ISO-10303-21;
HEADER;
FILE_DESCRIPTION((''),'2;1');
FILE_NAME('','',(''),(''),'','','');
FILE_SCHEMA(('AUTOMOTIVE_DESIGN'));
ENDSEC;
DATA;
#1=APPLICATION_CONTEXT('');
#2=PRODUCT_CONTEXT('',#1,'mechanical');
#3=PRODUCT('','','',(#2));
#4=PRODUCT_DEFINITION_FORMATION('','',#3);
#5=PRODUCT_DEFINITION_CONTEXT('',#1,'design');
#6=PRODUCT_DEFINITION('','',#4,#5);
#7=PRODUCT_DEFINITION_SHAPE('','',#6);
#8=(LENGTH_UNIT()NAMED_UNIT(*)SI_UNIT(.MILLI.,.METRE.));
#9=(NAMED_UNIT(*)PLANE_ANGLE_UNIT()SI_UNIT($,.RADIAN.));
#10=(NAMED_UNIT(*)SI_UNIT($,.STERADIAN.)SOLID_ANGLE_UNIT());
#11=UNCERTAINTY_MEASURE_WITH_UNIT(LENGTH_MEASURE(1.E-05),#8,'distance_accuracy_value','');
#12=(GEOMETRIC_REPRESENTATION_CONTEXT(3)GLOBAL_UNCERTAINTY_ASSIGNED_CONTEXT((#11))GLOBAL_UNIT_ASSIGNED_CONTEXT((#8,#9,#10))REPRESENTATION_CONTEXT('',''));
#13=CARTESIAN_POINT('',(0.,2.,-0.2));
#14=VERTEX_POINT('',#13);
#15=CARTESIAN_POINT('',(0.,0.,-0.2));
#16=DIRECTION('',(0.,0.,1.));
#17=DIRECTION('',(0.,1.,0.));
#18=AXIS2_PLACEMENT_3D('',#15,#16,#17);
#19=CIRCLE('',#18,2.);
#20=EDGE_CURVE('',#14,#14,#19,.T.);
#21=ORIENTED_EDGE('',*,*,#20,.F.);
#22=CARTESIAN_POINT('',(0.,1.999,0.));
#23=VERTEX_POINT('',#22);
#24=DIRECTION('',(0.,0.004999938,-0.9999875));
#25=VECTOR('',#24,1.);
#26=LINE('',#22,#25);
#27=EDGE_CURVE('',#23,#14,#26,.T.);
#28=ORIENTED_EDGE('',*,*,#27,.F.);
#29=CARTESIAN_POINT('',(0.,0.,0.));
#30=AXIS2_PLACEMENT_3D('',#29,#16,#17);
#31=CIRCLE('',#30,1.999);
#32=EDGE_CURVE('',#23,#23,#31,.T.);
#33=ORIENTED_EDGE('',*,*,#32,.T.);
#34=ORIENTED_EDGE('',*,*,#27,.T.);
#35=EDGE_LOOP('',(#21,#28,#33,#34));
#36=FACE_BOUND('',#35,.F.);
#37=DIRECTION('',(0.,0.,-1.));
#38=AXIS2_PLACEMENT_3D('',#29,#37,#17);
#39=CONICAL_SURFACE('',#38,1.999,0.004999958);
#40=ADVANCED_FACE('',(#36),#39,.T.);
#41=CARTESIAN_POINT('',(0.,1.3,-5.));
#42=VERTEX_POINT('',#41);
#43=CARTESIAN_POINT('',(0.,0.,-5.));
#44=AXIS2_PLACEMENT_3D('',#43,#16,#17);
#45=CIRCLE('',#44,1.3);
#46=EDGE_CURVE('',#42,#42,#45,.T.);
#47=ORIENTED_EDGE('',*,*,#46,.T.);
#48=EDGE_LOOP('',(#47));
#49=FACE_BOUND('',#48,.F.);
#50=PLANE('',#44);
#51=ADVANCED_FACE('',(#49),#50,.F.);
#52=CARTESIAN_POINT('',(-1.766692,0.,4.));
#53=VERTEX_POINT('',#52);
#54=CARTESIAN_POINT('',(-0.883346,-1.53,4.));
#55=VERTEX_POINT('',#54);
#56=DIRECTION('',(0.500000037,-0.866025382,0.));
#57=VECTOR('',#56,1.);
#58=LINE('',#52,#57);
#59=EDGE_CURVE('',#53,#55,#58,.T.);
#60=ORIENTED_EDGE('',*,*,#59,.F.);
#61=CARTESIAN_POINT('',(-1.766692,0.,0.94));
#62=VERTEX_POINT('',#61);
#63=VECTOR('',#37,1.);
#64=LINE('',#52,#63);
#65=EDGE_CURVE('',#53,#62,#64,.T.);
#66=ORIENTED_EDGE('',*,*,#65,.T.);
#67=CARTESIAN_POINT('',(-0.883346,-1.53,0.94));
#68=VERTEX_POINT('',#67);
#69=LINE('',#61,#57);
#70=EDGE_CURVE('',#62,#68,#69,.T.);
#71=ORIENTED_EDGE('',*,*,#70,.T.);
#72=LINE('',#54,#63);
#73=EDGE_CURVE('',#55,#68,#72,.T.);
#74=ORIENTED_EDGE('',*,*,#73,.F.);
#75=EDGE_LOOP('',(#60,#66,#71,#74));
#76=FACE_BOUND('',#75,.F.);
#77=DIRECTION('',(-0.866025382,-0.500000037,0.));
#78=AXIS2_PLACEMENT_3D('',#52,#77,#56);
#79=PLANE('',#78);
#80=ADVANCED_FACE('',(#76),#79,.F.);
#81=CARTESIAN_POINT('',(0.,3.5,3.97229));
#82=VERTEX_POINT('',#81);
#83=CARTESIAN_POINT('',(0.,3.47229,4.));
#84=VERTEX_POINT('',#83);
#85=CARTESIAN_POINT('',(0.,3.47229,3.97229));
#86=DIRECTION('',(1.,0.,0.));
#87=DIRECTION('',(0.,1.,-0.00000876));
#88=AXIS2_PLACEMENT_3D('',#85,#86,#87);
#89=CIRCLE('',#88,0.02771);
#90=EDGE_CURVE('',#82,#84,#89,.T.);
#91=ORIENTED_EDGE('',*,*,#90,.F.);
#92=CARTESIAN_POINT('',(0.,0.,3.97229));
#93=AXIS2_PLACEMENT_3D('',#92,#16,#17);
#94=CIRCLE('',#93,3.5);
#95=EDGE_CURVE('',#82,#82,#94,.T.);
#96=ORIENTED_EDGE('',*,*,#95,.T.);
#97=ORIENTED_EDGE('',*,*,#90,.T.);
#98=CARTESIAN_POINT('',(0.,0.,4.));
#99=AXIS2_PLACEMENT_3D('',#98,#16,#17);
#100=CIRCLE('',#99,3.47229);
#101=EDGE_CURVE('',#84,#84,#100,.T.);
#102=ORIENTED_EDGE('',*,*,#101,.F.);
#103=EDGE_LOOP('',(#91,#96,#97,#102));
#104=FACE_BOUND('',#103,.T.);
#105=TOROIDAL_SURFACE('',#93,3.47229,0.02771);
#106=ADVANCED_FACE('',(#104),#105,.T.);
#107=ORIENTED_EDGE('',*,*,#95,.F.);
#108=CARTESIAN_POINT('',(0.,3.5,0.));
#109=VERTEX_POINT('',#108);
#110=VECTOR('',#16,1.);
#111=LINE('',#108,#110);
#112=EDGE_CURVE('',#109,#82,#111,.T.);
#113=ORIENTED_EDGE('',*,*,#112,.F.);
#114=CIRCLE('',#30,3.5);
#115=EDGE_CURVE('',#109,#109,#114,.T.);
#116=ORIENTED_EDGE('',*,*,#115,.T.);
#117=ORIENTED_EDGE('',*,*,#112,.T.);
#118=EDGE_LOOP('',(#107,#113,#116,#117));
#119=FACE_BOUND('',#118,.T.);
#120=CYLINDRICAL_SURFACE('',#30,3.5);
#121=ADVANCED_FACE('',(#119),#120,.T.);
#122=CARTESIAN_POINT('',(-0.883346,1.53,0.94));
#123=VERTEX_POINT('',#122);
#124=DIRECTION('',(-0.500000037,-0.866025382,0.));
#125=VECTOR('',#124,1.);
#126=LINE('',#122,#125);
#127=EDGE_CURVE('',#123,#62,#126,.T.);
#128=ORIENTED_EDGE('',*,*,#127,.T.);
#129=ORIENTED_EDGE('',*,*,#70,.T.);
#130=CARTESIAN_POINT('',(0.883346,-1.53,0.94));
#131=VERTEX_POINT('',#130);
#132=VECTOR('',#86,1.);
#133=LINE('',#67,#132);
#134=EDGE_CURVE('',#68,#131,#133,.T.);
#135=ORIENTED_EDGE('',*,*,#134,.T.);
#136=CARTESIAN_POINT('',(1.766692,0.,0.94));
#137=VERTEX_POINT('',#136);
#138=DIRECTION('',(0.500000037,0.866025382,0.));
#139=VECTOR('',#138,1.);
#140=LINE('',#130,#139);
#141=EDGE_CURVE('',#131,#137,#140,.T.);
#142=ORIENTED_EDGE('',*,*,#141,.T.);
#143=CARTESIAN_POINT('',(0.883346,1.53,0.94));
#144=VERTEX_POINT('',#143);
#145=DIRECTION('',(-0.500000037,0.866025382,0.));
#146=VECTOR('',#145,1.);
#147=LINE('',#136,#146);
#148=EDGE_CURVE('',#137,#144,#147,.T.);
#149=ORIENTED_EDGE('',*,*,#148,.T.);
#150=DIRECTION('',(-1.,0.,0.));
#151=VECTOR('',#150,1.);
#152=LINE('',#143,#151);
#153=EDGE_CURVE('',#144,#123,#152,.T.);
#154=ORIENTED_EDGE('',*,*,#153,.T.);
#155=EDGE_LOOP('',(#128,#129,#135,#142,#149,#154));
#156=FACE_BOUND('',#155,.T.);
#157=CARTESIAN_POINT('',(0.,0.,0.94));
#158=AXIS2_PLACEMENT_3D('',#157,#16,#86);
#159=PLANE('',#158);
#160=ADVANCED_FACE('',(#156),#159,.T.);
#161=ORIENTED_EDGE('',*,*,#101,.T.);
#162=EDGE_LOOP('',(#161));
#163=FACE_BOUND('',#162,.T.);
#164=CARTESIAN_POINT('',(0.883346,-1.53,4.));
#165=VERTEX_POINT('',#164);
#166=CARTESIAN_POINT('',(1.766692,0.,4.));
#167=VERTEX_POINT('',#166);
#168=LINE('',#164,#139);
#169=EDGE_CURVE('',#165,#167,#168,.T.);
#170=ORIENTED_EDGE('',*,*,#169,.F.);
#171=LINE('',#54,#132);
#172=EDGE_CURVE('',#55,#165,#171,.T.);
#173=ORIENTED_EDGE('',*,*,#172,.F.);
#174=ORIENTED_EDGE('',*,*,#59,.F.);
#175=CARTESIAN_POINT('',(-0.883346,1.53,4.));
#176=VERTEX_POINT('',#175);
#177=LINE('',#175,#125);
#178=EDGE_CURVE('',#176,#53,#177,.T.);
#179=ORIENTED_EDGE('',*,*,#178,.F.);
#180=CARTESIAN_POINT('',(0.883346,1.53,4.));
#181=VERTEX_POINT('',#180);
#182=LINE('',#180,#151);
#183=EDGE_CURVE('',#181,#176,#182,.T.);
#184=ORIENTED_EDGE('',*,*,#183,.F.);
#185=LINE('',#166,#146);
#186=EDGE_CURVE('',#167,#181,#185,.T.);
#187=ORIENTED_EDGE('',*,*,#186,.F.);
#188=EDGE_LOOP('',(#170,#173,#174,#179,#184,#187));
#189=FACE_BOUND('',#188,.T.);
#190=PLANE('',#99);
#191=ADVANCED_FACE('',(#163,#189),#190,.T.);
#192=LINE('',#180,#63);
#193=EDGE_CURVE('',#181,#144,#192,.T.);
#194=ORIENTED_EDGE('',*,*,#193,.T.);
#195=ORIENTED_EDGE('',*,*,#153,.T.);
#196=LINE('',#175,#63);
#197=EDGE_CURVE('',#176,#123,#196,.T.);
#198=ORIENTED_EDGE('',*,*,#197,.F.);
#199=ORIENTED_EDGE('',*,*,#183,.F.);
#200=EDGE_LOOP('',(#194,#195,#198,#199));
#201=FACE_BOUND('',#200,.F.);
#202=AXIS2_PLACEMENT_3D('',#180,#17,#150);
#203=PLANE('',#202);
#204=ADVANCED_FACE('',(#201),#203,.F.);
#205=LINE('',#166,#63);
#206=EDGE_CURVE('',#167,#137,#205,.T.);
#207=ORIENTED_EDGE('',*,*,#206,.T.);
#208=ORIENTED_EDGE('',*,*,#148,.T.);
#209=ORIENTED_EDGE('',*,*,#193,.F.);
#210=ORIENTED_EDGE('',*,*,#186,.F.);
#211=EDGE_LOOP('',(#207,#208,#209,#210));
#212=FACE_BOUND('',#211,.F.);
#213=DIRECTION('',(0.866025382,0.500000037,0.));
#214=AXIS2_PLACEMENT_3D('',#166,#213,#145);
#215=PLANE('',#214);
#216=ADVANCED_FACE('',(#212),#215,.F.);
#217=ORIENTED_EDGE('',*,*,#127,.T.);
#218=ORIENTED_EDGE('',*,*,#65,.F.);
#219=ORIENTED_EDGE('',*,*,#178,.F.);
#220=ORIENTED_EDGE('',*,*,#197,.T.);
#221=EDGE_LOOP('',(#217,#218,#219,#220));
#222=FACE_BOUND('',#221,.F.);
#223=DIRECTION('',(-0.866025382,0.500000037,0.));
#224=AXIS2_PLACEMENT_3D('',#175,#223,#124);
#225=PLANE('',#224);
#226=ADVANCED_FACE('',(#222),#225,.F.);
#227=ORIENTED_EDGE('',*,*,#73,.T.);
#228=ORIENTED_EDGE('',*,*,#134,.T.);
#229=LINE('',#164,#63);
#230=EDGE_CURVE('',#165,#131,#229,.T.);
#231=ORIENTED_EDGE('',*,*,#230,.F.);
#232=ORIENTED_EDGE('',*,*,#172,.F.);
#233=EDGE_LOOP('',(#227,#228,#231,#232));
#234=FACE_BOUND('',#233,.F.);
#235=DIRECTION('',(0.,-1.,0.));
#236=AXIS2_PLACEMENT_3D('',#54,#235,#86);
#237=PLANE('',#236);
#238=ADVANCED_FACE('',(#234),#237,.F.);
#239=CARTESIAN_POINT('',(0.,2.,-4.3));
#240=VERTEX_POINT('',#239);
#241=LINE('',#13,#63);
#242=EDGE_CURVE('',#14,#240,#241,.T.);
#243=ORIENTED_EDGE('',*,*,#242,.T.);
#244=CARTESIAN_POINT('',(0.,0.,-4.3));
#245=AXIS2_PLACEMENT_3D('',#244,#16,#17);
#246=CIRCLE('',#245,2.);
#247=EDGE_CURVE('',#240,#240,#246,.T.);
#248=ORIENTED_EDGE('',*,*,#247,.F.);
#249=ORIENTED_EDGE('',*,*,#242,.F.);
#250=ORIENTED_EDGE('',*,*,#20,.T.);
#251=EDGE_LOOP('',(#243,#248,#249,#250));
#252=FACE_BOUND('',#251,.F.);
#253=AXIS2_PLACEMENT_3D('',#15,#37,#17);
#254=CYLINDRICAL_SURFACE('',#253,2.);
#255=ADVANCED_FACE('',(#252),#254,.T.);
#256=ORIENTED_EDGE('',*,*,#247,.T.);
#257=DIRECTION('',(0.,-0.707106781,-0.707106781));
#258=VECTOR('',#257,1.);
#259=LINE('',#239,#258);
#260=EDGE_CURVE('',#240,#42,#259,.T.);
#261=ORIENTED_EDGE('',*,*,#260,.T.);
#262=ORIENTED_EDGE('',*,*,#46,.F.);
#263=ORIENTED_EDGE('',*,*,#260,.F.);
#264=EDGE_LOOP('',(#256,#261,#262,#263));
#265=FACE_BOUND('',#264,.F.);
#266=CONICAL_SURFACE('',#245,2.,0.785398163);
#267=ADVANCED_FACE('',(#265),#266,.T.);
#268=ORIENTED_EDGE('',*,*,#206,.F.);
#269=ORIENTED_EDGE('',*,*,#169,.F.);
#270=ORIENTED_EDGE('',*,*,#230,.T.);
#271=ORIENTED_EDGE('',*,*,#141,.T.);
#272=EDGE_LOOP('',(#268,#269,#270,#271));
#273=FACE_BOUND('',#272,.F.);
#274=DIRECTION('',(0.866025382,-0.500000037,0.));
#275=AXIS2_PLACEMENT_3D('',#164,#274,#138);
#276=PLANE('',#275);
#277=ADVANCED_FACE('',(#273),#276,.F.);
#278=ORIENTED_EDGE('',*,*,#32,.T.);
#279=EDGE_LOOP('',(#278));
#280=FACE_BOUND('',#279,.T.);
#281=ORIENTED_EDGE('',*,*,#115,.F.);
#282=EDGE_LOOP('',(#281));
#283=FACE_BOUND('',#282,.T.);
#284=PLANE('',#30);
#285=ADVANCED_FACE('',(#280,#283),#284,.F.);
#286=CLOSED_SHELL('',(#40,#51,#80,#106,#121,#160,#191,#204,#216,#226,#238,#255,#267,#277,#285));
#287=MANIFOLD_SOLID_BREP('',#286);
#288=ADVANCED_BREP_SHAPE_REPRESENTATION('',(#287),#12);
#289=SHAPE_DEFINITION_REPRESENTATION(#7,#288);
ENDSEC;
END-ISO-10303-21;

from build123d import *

# Parameters (mm, degrees)
POCKET_DEPTH = 3.06


with BuildPart() as part:
    # Sketch → Revolve (revolve)
    with BuildSketch(Plane.YZ):
        with BuildLine():
            Line((1.999, 0), (3.5, 0))
            Line((3.5, 0), (3.5, 3.97229))
            ThreePointArc((3.5, 3.97229), (3.491884, 3.991884), (3.47229, 4))
            Line((3.47229, 4), (0, 4))
            Line((0, -5), (0, 4))
            Line((1.3, -5), (0, -5))
            Line((2, -4.3), (1.3, -5))
            Line((2, -0.2), (2, -4.3))
            Line((1.999, 0), (2, -0.2))
        make_face()
    revolve(axis=Axis((0, 0, 0), (0, 0, 1)))

    # Sketch001 → Pocket (cut)
    with BuildSketch(Plane.XY.offset(4)):
        Polygon((1.766692, 0), (0.883346, 1.53), (-0.883346, 1.53), (-1.766692, 0), (-0.883346, -1.53), (0.883346, -1.53), align=None)
    extrude(amount=-POCKET_DEPTH, mode=Mode.SUBTRACT)


solid = part.part
